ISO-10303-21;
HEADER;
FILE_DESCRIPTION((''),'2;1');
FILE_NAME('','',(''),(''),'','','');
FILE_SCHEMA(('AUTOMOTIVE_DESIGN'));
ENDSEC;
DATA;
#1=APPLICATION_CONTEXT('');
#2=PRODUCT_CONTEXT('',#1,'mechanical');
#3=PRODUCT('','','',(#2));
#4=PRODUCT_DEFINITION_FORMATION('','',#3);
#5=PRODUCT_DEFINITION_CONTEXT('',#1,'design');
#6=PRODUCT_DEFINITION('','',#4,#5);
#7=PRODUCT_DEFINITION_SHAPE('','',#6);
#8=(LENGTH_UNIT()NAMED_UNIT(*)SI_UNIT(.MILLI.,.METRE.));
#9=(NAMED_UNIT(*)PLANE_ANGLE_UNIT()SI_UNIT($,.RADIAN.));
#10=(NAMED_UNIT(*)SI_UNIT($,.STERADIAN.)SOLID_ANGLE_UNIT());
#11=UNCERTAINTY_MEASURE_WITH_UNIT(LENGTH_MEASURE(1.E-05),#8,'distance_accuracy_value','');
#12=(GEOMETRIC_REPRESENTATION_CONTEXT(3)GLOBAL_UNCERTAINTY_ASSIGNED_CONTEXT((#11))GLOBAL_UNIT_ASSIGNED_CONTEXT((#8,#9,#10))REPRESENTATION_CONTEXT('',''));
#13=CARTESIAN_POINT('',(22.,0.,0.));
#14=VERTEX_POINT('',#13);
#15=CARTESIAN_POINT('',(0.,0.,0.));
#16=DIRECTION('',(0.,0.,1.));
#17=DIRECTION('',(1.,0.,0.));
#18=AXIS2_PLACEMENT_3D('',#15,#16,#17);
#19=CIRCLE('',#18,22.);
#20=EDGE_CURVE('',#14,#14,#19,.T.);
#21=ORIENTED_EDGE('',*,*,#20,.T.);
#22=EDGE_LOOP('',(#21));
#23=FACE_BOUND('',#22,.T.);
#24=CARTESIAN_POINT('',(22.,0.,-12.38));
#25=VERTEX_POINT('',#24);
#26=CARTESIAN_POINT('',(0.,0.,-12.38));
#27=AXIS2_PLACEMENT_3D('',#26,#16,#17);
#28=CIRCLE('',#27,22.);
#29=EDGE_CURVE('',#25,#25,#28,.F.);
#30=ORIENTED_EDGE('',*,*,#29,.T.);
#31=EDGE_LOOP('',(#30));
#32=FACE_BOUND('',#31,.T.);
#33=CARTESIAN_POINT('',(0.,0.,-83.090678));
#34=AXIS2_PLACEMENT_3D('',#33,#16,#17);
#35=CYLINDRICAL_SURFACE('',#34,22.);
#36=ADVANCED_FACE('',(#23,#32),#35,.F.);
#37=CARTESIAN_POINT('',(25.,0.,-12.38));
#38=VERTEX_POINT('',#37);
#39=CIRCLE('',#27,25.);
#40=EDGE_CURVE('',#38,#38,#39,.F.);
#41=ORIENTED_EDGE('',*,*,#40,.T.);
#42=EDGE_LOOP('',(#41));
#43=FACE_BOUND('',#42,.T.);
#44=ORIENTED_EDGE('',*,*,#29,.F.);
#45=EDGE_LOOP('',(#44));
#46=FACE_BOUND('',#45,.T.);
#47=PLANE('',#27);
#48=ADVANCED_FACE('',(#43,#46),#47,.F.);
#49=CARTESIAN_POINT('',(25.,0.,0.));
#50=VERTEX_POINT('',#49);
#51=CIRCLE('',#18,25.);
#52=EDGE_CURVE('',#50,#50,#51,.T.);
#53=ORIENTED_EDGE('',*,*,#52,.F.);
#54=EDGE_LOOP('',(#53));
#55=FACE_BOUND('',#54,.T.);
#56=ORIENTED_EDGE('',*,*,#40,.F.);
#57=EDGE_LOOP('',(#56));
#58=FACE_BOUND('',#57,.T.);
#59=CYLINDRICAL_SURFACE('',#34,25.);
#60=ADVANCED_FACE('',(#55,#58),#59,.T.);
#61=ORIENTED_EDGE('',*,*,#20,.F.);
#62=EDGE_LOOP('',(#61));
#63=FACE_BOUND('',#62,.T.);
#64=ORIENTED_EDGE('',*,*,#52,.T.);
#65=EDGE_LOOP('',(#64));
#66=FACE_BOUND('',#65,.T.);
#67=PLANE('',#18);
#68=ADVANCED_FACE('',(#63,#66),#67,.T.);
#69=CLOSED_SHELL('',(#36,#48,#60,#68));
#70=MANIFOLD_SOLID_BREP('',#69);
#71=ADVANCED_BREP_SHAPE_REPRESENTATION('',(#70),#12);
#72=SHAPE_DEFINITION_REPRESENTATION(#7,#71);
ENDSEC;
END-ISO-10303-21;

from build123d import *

# Parameters (mm, degrees)
SKETCH1_R           = 25
SKETCH1_R_2         = 22
BOSS_EXTRUDE1_DEPTH = 12.38


with BuildPart() as part:
    # Sketch1 → Boss-Extrude1 (new body)
    with BuildSketch(Plane.XY):
        Circle(SKETCH1_R)
        Circle(SKETCH1_R_2, mode=Mode.SUBTRACT)
    extrude(amount=-BOSS_EXTRUDE1_DEPTH)


solid = part.part
